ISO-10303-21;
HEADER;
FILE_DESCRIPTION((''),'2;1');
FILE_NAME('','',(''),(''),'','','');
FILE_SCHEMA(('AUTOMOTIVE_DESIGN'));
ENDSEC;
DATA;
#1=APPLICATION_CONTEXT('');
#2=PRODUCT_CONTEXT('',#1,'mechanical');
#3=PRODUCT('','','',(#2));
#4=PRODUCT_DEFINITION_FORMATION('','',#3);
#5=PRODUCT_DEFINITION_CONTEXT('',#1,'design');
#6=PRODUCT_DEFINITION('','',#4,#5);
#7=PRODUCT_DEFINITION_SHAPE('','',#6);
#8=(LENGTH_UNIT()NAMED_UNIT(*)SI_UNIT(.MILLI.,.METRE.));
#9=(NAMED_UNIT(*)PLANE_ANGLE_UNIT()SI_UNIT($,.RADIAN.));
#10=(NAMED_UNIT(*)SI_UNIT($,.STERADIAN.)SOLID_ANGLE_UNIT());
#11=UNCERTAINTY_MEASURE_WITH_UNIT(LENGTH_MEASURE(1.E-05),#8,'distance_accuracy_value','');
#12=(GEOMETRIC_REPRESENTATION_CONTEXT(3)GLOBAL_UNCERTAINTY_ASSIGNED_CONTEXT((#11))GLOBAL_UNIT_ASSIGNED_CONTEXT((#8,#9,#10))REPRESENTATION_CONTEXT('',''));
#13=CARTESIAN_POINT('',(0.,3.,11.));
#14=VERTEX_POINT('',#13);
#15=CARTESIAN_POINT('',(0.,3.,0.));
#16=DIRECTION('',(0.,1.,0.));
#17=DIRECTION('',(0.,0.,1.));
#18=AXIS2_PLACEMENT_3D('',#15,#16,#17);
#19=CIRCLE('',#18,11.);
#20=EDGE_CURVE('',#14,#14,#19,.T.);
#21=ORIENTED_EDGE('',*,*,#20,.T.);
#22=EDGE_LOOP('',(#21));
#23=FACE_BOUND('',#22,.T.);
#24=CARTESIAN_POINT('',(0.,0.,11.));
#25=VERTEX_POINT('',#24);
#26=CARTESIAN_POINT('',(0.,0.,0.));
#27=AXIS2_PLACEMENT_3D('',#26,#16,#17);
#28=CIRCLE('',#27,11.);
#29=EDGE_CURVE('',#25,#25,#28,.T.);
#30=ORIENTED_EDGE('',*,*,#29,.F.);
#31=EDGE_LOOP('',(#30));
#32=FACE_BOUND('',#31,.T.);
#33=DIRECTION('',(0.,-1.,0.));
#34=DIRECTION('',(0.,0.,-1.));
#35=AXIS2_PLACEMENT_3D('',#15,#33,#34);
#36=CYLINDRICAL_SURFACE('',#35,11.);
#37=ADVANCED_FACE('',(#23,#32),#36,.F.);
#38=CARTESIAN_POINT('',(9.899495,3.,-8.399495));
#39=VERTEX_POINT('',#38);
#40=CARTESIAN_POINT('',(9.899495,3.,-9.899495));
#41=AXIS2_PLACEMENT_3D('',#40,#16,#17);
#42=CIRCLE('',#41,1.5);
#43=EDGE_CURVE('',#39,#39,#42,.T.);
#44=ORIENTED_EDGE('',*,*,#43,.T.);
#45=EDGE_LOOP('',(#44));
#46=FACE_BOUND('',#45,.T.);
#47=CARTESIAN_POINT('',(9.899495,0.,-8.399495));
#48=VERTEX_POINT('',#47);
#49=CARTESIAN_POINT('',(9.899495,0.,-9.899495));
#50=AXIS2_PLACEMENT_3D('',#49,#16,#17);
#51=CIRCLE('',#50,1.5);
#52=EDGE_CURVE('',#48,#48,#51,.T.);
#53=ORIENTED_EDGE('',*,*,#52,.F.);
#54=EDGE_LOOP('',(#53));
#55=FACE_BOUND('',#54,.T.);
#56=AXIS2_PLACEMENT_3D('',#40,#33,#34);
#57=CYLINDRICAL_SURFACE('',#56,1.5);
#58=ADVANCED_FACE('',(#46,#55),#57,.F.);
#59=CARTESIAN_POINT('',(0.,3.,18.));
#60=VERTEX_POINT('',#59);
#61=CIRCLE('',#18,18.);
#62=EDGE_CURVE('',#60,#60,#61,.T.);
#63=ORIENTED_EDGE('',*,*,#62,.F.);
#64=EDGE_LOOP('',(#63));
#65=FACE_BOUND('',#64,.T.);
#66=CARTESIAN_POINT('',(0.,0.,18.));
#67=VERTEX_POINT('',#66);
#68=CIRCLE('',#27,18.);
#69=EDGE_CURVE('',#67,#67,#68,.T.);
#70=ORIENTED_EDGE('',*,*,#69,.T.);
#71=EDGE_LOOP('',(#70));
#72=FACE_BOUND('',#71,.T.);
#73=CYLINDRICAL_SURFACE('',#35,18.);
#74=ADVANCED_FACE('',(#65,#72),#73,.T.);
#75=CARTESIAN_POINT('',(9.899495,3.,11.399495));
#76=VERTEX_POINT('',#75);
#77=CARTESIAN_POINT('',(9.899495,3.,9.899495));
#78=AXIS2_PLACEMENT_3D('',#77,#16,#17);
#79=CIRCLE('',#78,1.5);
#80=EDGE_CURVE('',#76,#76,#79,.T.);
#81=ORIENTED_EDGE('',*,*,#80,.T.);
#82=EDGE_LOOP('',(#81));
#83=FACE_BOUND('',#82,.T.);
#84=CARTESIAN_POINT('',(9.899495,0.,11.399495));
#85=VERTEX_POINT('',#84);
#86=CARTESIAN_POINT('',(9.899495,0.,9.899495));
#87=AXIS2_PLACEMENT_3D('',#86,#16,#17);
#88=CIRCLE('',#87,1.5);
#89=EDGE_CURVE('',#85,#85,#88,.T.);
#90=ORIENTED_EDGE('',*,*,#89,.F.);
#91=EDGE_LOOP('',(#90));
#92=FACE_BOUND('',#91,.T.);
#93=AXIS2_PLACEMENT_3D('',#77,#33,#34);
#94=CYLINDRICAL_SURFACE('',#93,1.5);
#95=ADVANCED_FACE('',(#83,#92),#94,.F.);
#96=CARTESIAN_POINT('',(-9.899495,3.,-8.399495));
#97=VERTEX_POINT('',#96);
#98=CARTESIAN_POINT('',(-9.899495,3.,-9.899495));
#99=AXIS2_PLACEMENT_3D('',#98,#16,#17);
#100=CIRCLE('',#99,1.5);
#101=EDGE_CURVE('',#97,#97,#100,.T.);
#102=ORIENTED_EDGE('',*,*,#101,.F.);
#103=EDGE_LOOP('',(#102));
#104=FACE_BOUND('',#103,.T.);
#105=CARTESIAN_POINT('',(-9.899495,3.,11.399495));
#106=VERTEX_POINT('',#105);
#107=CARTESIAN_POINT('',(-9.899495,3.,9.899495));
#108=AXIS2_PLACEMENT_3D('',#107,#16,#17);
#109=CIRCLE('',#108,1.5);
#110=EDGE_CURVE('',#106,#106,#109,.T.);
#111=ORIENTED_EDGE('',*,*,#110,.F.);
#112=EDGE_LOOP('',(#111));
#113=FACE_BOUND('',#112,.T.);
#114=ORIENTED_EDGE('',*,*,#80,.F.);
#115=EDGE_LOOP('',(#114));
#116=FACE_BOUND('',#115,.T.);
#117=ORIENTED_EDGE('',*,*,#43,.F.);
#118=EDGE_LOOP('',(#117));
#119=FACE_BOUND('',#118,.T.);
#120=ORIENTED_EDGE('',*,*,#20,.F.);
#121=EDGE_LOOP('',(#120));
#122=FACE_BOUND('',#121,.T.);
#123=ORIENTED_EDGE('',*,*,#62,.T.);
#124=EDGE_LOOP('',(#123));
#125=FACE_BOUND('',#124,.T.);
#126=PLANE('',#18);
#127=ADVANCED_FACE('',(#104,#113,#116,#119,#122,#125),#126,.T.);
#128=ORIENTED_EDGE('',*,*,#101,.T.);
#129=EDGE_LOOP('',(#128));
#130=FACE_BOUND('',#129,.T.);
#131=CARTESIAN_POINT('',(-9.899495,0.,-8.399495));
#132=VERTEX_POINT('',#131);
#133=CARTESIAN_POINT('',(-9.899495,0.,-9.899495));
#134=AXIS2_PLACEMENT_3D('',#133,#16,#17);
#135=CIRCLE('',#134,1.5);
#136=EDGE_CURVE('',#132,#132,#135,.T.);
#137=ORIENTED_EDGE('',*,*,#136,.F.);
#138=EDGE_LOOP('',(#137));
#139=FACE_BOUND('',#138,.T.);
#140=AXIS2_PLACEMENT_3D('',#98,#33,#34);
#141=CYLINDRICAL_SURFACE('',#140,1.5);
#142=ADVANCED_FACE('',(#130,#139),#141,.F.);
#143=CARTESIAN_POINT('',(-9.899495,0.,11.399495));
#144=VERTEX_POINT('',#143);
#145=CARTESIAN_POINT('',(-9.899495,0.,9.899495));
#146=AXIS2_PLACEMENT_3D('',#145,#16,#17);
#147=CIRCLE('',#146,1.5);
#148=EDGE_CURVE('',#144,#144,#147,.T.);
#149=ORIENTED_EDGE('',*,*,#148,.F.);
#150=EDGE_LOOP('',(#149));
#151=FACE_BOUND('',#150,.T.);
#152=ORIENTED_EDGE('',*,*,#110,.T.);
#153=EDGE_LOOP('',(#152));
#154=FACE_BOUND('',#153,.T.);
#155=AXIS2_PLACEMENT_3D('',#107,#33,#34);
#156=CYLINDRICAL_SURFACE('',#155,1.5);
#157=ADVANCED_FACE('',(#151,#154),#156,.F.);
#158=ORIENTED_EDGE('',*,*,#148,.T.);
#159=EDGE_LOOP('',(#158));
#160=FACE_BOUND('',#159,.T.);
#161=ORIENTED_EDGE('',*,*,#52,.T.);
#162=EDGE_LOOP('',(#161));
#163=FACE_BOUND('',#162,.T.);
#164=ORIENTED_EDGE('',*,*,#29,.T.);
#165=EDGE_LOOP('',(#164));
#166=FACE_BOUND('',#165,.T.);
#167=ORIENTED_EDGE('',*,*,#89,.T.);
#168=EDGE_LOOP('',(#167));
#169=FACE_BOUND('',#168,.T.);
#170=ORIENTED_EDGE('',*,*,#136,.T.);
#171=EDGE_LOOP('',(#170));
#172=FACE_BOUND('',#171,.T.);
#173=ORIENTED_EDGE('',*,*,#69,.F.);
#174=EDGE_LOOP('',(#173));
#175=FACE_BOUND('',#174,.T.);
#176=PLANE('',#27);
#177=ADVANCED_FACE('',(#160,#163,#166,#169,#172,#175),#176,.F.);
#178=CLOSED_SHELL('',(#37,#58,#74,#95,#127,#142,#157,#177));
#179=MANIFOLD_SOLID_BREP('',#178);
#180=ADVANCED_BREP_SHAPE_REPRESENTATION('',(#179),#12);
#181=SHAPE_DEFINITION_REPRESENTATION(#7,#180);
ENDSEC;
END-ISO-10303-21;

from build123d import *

# Parameters (mm, degrees)
SKETCH1_R           = 18
SKETCH1_R_2         = 11
SKETCH1_R_3         = 1.5
BOSS_EXTRUDE1_DEPTH = 3


with BuildPart() as part:
    # Sketch1 → Boss-Extrude1 (new body)
    with BuildSketch(Plane(origin=(0, 0, 0), x_dir=(1, 0, 0), z_dir=(0, 1, 0))):
        Circle(SKETCH1_R)
        Circle(SKETCH1_R_2, mode=Mode.SUBTRACT)
        with Locations((9.899494937, 9.899494937)):
            Circle(SKETCH1_R_3, mode=Mode.SUBTRACT)
        with Locations((9.899494937, -9.899494937)):
            Circle(SKETCH1_R_3, mode=Mode.SUBTRACT)
        with Locations((-9.899494937, -9.899494937)):
            Circle(SKETCH1_R_3, mode=Mode.SUBTRACT)
        with Locations((-9.899494937, 9.899494937)):
            Circle(SKETCH1_R_3, mode=Mode.SUBTRACT)
    extrude(amount=BOSS_EXTRUDE1_DEPTH)


solid = part.part
